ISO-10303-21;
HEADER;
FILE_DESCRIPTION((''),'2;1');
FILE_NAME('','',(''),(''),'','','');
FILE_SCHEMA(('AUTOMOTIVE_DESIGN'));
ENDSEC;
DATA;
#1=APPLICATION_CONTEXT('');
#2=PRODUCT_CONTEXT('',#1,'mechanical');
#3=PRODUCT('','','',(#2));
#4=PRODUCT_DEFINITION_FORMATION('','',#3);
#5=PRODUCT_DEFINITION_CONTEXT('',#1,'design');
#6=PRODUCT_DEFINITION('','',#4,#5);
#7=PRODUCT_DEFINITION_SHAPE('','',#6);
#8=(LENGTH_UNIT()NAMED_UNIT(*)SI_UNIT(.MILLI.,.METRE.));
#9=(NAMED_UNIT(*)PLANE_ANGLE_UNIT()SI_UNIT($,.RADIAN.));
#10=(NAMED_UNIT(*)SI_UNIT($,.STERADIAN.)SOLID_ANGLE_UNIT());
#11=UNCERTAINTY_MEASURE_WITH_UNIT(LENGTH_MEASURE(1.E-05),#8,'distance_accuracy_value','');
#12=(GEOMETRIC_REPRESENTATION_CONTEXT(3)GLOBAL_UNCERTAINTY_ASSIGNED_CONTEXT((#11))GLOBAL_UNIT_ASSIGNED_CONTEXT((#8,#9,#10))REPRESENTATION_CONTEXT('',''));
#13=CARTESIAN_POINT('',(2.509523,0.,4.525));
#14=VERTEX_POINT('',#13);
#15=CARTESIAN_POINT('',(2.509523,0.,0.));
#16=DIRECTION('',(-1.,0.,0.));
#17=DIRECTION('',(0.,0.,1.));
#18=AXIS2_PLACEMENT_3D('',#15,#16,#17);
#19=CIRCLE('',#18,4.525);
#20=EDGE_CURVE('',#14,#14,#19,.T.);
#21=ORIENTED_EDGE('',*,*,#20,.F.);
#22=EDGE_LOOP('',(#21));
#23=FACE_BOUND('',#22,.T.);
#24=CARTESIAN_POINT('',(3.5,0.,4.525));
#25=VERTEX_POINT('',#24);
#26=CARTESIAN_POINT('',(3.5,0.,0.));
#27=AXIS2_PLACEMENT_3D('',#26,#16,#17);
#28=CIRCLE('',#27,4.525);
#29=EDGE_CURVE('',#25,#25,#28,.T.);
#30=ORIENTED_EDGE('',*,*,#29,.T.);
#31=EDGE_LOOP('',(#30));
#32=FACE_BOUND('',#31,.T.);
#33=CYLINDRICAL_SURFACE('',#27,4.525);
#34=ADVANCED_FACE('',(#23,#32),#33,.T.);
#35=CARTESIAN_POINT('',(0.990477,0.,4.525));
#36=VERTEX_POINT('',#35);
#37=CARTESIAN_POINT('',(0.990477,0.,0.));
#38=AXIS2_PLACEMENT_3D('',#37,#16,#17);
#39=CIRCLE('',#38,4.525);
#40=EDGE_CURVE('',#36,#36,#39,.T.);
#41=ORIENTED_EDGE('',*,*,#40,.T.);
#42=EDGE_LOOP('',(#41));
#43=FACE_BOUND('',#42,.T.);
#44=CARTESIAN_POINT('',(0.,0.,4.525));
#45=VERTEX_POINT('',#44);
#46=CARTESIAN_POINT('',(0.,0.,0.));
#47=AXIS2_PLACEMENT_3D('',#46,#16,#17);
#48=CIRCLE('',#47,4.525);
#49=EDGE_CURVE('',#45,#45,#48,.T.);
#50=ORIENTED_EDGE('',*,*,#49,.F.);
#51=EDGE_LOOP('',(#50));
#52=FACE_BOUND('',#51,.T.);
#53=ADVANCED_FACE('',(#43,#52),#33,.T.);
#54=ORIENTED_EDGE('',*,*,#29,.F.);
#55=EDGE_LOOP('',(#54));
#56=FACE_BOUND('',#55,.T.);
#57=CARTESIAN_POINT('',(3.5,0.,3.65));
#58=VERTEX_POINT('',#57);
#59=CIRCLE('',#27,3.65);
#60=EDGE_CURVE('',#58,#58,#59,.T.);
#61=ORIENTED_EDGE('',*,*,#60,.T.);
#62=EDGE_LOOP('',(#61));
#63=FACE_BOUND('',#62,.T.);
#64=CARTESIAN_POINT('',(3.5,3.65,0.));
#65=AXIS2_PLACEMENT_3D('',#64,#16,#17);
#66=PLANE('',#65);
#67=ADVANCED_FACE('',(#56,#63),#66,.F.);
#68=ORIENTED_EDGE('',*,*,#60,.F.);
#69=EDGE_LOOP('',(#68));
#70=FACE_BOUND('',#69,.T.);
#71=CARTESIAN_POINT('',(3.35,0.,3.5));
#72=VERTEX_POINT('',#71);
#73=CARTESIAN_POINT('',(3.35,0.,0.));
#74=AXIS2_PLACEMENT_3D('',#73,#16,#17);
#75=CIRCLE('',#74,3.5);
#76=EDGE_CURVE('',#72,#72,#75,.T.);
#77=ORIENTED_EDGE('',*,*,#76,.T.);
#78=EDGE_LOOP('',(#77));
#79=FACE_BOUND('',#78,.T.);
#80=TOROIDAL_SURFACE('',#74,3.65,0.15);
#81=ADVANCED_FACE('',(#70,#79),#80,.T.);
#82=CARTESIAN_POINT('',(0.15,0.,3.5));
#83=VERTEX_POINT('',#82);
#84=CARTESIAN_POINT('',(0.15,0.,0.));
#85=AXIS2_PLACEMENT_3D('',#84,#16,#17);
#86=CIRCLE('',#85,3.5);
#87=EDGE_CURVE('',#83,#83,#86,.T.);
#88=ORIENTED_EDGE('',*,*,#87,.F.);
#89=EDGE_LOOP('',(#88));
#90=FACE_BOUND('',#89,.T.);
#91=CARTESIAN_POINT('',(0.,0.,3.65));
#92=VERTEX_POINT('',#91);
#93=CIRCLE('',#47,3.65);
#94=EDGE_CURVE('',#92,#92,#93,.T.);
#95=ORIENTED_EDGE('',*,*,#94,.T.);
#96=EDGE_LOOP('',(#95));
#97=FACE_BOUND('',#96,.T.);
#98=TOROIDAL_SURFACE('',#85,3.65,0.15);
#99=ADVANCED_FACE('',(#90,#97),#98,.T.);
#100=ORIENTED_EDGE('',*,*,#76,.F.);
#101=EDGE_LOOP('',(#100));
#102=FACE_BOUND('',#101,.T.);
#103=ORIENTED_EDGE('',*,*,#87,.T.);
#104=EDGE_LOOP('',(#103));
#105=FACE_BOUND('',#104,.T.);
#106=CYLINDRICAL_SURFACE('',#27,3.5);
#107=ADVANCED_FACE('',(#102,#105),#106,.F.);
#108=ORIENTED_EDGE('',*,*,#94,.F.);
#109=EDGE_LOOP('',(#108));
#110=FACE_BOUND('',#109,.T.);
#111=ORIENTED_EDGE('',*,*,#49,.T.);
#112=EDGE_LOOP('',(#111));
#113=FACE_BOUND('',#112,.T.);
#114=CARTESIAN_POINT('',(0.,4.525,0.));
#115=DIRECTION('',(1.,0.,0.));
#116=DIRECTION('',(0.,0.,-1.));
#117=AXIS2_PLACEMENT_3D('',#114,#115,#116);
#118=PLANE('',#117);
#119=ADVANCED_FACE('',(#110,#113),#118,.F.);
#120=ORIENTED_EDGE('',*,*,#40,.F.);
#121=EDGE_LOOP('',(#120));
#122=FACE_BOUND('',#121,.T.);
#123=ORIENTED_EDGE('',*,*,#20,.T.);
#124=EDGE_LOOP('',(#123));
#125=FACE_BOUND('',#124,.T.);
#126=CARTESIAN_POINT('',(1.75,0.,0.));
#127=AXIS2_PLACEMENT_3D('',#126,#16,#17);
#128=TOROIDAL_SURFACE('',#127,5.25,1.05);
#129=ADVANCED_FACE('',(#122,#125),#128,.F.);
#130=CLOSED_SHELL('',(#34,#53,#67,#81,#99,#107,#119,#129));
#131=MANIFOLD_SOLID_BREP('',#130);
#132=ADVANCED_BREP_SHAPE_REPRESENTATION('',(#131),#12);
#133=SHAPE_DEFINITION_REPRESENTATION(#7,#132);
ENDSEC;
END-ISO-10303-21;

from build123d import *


with BuildPart() as part:
    # Sketch1 → Revolve1 (revolve)
    with BuildSketch(Plane.XY):
        with BuildLine():
            Line((0, 4.525), (0, 3.65))
            ThreePointArc((0, 3.65), (0.043933983, 3.543933983), (0.15, 3.5))
            Line((0.15, 3.5), (3.35, 3.5))
            ThreePointArc((3.35, 3.5), (3.456066017, 3.543933983), (3.5, 3.65))
            Line((3.5, 3.65), (3.5, 4.525))
            Line((3.5, 4.525), (2.509522877, 4.525))
            ThreePointArc((2.509522877, 4.525), (1.75, 4.2), (0.990477123, 4.525))
            Line((0.990477123, 4.525), (0, 4.525))
        make_face()
    revolve(axis=Axis((3.5, 0, 0), (-1, 0, 0)))


solid = part.part
